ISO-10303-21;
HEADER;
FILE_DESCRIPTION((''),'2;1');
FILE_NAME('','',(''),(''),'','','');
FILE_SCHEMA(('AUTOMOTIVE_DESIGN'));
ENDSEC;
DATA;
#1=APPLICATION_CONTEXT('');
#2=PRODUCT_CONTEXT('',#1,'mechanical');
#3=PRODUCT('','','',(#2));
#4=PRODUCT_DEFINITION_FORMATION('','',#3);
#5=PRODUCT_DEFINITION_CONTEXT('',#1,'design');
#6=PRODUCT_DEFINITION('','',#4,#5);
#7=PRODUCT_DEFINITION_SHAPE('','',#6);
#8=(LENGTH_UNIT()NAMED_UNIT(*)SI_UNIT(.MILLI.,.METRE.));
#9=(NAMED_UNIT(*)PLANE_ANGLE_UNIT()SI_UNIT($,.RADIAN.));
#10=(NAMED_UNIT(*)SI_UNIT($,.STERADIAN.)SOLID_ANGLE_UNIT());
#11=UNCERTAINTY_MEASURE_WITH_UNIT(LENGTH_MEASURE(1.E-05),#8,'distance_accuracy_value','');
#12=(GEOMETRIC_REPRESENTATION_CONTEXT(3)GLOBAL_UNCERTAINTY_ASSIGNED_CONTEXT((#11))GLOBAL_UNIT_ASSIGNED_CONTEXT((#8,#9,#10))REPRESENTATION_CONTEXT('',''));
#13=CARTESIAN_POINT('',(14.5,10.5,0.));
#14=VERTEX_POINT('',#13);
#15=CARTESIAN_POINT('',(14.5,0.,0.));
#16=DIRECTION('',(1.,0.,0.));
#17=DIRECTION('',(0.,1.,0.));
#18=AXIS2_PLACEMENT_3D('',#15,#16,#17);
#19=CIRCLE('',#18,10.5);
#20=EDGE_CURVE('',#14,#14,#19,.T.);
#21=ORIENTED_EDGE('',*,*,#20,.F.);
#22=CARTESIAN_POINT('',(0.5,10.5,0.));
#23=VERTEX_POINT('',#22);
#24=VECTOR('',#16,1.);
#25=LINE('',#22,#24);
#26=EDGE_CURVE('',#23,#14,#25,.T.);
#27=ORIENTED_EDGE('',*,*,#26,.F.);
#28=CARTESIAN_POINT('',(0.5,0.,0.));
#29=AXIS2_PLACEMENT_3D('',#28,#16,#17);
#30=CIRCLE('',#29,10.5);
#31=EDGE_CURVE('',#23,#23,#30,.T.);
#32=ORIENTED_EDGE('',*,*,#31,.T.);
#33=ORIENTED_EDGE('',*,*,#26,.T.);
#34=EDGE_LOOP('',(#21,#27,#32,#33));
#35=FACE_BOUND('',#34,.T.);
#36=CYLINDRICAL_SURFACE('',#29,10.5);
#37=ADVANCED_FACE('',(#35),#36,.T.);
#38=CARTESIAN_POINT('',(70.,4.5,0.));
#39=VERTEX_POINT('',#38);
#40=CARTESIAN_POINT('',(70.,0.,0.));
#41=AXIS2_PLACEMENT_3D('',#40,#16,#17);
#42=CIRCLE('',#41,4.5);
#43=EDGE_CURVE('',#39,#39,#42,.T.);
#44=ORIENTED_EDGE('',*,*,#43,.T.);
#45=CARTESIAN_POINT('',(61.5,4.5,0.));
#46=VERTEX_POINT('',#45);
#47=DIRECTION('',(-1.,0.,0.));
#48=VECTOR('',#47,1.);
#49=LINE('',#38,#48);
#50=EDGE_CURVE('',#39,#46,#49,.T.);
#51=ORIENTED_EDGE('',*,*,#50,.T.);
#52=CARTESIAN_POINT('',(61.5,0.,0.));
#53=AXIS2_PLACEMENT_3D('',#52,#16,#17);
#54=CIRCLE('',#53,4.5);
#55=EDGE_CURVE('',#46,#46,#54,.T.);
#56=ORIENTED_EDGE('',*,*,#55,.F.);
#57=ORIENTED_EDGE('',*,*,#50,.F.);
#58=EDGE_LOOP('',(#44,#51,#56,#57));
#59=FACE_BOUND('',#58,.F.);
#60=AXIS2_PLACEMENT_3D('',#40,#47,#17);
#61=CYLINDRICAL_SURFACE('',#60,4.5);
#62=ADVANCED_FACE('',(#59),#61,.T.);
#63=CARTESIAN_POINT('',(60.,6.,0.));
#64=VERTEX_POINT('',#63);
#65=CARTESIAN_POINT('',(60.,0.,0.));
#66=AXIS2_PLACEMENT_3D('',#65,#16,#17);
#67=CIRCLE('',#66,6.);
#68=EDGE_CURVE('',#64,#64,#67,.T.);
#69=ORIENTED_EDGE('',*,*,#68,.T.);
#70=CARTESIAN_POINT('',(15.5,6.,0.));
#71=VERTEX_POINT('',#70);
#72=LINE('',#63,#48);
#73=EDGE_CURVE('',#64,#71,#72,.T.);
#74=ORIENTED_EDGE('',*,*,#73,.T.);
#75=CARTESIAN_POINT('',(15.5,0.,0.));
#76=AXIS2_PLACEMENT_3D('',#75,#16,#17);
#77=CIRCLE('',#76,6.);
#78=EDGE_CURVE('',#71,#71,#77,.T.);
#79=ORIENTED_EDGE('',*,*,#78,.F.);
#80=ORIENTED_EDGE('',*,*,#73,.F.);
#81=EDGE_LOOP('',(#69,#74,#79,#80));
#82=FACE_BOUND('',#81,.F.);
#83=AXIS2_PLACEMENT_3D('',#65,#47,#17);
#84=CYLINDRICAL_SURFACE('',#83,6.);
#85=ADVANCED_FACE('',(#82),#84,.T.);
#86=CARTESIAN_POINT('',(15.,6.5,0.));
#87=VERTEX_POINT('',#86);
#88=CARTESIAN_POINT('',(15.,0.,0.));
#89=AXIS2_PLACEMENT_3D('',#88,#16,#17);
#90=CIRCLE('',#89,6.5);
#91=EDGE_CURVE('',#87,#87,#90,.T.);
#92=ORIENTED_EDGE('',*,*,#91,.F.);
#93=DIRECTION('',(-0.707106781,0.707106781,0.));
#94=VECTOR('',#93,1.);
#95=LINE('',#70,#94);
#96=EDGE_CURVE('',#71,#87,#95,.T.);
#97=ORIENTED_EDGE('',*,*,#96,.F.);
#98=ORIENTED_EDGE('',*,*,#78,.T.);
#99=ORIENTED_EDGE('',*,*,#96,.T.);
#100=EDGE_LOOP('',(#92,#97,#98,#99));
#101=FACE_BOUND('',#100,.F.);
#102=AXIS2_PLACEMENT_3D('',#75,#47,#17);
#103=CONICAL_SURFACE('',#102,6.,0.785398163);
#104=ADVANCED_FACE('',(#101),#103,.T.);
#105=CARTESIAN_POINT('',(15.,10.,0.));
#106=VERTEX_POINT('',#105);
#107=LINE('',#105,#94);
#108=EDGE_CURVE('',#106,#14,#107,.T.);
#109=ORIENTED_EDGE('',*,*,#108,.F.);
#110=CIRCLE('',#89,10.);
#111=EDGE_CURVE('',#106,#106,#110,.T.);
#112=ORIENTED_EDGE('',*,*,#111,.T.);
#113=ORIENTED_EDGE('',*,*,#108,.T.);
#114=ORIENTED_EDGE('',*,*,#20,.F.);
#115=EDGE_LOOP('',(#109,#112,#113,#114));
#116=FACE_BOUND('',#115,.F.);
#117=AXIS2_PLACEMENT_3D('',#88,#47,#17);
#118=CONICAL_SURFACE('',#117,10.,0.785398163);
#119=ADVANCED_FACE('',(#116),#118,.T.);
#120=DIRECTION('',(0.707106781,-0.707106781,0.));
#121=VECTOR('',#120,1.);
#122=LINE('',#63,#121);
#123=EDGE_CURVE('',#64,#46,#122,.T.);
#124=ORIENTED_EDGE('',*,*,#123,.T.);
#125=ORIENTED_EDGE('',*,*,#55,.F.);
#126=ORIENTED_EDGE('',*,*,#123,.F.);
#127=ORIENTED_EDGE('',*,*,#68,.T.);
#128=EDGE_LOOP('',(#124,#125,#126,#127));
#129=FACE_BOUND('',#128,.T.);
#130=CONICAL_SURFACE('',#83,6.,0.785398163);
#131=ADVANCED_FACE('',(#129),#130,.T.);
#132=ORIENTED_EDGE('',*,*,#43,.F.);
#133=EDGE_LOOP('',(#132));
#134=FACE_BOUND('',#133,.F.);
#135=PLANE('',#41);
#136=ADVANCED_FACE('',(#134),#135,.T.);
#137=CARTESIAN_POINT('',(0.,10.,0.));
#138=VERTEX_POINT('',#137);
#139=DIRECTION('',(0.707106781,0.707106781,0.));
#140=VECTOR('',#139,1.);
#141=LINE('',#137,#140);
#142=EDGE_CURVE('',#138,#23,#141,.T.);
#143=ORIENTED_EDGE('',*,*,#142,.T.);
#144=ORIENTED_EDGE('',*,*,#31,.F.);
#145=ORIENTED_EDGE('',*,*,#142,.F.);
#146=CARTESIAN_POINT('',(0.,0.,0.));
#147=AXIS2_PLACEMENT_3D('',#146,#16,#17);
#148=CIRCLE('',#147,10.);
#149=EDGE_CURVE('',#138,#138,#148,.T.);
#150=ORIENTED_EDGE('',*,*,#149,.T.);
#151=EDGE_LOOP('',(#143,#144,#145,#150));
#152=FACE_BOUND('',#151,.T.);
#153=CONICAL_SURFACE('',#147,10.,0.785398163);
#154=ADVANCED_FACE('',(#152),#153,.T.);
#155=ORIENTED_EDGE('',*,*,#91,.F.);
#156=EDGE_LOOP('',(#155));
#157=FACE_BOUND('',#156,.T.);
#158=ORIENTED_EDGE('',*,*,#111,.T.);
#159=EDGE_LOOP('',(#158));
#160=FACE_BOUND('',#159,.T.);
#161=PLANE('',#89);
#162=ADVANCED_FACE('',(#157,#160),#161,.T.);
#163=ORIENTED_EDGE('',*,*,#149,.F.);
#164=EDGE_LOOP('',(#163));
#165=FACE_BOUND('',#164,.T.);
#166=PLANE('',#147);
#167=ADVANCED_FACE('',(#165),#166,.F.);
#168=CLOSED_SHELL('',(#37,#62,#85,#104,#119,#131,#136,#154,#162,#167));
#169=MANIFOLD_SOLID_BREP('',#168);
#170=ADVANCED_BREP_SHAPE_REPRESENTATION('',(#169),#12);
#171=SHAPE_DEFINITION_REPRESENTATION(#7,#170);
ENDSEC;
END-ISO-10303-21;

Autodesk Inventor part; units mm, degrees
ref_plane "YZ Plane" through (0, 0, 0) normal (1, 0, 0) x (0, 1, 0)
ref_plane "XZ Plane" through (0, 0, 0) normal (0, 1, 0) x (-1, 0, 0)
ref_plane "XY Plane" through (0, 0, 0) normal (0, 0, 1) x (1, 0, 0)
sketch "Sketch1" plane through (0, 0, 0) normal (0, 0, 1) x (1, 0, 0)
  line L0 (0, 0) -> (0, 10)
  line L1 (0.5, 10.5) -> (14.5, 10.5)
  line L2 (15, 10) -> (15, 6.5)
  line L3 (15, 0) -> (70, 0)
  line L4 (70, 0) -> (70, 4.5)
  line L5 (70, 4.5) -> (61.5, 4.5)
  line L6 (0, 10) -> (0.5, 10.5)
  line L7 (15, 10) -> (14.5, 10.5)
  line L8 (61.5, 4.5) -> (61.5, 4.5)
  line L9 (60, 6) -> (15.5, 6)
  line L10 (15.5, 6) -> (15, 6.5)
  line L11 (60, 6) -> (61.5, 4.5)
  line L12 (0, 0) -> (17, 0)
  point P0 (0, 10.5)
  point P1 (15, 10.5)
  point P2 (61.5, 6)
  point P3 (15, 6)
  point P4 (15, 6)
revolve "Revolution1" add sketch "Sketch1" angle 360 about axis through (0, 0, 0) along (1, 0, 0)
thread "Thread1" size "M12x1" class "6g" standard "ANSI Metric M Profile" full length
properties part number "Sroub"
